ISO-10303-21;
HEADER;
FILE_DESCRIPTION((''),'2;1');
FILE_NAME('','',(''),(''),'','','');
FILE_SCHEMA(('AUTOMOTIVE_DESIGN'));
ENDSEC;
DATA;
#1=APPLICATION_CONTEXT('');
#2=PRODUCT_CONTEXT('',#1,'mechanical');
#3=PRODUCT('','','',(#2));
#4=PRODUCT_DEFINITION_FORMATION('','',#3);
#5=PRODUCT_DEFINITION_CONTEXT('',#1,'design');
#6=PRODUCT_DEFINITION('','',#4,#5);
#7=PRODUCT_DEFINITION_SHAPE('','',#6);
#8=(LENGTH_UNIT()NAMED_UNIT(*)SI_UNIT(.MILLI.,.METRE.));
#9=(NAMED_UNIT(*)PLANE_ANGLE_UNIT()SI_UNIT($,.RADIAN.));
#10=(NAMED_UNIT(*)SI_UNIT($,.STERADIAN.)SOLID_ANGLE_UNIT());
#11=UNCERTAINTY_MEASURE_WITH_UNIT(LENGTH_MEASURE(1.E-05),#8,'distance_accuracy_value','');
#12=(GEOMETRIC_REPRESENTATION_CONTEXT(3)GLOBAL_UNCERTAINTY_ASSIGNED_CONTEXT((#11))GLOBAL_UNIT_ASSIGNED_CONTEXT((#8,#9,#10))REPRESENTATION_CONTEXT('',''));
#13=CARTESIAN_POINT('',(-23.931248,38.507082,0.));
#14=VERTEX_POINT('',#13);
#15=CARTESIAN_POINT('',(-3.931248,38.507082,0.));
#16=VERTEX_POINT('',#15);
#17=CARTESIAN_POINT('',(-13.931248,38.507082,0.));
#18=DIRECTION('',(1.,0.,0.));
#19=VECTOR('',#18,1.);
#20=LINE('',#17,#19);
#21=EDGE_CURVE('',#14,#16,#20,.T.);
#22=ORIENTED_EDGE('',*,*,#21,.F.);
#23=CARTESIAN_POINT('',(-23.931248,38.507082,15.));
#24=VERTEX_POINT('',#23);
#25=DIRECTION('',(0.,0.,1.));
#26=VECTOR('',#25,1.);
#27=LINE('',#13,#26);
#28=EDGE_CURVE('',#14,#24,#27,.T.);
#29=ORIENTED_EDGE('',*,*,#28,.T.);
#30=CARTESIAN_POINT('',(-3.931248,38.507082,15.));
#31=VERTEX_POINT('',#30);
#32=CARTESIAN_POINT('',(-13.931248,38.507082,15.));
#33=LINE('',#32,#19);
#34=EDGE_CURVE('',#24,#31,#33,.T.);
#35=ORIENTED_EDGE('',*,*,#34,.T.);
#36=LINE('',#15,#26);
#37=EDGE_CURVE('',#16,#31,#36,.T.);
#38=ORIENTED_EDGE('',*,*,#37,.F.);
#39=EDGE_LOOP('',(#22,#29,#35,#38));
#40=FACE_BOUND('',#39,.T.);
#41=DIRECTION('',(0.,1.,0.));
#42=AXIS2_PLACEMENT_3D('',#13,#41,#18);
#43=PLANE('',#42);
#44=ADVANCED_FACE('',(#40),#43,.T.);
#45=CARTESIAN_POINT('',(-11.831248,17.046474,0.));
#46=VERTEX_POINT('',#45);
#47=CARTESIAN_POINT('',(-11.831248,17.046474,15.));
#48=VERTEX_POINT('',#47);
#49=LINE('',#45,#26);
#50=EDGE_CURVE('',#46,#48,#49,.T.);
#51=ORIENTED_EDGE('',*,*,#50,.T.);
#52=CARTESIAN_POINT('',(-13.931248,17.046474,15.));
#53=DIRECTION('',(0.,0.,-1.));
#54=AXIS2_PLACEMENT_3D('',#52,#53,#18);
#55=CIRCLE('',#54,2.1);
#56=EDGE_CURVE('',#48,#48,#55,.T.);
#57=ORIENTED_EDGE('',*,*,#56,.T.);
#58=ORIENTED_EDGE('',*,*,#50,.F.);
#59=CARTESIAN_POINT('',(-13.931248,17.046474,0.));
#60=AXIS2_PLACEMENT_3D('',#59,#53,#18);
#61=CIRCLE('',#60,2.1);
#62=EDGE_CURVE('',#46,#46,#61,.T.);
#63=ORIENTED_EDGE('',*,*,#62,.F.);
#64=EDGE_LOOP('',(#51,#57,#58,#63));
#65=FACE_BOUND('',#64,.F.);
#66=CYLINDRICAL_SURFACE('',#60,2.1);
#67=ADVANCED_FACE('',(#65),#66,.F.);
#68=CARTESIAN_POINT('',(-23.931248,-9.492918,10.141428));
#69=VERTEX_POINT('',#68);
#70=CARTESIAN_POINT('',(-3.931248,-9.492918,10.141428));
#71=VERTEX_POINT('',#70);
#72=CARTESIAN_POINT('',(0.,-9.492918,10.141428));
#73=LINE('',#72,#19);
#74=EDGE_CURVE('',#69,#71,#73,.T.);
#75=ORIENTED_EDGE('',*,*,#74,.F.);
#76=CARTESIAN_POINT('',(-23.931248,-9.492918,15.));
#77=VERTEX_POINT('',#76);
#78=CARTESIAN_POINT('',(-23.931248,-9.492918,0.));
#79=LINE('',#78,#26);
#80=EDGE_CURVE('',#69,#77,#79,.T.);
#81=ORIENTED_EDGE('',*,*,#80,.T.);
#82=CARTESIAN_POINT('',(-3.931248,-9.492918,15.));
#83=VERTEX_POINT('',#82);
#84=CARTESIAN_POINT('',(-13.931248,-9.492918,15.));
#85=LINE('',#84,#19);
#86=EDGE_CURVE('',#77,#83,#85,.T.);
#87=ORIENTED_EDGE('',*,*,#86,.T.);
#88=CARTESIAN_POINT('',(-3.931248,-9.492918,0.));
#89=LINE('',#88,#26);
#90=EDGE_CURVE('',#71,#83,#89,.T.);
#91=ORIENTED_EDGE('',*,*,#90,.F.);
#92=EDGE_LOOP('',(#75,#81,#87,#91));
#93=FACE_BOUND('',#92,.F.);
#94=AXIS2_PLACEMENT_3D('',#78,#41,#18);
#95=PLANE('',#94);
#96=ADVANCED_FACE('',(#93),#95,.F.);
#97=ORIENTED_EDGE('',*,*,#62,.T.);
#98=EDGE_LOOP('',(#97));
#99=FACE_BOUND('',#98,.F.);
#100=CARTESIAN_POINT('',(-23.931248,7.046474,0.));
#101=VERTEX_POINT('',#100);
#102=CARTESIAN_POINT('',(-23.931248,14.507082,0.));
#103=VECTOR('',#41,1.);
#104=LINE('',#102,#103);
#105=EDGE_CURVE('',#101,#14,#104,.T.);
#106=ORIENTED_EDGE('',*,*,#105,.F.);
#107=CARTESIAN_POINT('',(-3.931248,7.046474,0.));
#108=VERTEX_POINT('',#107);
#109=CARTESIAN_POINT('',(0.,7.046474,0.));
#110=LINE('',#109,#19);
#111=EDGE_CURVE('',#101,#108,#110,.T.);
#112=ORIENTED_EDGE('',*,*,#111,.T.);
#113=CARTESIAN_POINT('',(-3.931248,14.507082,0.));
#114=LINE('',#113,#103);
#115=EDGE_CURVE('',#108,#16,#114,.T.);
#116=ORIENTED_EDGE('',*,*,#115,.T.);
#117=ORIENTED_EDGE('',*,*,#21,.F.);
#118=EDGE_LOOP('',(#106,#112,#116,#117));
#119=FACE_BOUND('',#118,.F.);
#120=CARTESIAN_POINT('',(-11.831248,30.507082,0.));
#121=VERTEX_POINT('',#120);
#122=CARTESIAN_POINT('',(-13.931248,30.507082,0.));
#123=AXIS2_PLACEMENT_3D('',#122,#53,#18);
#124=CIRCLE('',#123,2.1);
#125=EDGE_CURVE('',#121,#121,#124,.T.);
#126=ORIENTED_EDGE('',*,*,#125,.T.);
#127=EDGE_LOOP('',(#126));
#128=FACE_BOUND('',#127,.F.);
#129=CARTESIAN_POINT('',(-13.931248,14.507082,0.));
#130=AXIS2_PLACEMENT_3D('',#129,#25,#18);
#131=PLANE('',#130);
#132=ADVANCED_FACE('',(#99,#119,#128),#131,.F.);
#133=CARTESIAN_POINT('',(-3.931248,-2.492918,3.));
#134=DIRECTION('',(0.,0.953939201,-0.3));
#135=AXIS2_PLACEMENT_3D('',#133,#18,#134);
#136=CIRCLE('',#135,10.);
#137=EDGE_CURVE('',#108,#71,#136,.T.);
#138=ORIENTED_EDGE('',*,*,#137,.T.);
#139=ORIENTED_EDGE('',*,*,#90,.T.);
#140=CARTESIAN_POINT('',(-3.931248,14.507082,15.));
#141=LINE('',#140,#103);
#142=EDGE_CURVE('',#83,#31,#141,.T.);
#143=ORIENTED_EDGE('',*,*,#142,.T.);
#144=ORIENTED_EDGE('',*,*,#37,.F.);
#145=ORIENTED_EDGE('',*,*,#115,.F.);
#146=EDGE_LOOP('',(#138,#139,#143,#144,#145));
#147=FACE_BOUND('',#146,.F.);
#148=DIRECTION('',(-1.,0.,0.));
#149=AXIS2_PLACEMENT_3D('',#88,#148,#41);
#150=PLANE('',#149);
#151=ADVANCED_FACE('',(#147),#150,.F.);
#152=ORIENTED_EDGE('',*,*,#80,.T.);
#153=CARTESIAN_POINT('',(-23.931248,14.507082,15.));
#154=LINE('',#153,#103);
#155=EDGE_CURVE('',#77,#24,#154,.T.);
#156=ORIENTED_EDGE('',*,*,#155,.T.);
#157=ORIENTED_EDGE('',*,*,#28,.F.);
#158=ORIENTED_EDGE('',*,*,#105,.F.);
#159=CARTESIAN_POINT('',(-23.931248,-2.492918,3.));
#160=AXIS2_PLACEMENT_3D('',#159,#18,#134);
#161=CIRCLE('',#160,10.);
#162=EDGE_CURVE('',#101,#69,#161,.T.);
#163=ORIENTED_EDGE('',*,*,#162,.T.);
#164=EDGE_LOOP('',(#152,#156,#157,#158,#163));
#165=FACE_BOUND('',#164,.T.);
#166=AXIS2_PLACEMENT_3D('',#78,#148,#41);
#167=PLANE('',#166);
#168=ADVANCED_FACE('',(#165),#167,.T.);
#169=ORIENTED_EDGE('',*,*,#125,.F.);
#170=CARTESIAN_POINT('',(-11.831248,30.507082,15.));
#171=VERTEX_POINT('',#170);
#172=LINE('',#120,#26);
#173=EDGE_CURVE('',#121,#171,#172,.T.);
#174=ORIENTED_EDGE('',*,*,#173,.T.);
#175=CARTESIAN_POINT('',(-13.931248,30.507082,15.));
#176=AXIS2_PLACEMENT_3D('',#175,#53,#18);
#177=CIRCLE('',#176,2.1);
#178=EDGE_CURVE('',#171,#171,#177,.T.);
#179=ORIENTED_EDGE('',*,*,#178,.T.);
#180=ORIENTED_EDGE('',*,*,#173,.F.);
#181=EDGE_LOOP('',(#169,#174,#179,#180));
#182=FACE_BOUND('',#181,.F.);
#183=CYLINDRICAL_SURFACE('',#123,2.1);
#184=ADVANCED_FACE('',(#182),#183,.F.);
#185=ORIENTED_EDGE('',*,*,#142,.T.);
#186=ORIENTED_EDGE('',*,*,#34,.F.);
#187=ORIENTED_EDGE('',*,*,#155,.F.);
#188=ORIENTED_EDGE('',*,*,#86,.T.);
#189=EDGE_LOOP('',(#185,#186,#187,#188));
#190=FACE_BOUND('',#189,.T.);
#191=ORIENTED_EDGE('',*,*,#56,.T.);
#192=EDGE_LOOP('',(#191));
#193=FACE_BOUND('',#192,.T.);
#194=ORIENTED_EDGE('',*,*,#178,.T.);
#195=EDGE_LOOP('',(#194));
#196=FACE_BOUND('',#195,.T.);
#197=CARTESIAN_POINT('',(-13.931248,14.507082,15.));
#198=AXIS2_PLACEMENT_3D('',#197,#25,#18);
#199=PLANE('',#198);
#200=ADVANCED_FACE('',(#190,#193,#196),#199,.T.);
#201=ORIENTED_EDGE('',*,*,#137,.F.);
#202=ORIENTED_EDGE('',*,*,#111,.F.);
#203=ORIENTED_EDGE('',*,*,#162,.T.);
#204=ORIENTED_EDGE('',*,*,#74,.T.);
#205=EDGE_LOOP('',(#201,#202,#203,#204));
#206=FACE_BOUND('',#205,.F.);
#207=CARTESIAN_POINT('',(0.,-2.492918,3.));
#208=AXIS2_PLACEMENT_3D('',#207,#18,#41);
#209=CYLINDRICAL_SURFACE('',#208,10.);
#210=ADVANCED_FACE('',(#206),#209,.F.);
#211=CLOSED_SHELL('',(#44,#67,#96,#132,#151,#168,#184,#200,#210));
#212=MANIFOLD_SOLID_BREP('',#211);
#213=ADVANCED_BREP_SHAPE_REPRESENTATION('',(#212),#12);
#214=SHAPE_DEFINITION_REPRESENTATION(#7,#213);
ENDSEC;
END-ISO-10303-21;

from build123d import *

# Parameters (mm, degrees)
F0_W     = 20
F0_H     = 48
F1_DEPTH = 15
F2_R     = 10
F3_DEPTH = 25
F4_R     = 2.1
F5_DEPTH = 25


with BuildPart() as f1:
    # F0 (on Top) → F1 (new body)
    with BuildSketch(Plane.XY):
        with Locations((-13.931248, 14.507082)):
            Rectangle(F0_W, F0_H)
    extrude(amount=F1_DEPTH)

    # F2 (on Right) → F3 (cut)
    with BuildSketch(Plane.YZ):
        with Locations((-2.492918, 3)):
            Circle(F2_R)
    extrude(amount=-F3_DEPTH, mode=Mode.SUBTRACT)

    # F4 (on face) → F5 (cut)
    with BuildSketch(Plane(origin=(0, 0, 0), x_dir=(1, 0, 0), z_dir=(0, 0, -1))):
        with Locations((-13.931248, -30.507082)):
            Circle(F4_R)
        with Locations((-13.931248, -17.046474)):
            Circle(F4_R)
    extrude(amount=-F5_DEPTH, mode=Mode.SUBTRACT)


solid = f1.part
